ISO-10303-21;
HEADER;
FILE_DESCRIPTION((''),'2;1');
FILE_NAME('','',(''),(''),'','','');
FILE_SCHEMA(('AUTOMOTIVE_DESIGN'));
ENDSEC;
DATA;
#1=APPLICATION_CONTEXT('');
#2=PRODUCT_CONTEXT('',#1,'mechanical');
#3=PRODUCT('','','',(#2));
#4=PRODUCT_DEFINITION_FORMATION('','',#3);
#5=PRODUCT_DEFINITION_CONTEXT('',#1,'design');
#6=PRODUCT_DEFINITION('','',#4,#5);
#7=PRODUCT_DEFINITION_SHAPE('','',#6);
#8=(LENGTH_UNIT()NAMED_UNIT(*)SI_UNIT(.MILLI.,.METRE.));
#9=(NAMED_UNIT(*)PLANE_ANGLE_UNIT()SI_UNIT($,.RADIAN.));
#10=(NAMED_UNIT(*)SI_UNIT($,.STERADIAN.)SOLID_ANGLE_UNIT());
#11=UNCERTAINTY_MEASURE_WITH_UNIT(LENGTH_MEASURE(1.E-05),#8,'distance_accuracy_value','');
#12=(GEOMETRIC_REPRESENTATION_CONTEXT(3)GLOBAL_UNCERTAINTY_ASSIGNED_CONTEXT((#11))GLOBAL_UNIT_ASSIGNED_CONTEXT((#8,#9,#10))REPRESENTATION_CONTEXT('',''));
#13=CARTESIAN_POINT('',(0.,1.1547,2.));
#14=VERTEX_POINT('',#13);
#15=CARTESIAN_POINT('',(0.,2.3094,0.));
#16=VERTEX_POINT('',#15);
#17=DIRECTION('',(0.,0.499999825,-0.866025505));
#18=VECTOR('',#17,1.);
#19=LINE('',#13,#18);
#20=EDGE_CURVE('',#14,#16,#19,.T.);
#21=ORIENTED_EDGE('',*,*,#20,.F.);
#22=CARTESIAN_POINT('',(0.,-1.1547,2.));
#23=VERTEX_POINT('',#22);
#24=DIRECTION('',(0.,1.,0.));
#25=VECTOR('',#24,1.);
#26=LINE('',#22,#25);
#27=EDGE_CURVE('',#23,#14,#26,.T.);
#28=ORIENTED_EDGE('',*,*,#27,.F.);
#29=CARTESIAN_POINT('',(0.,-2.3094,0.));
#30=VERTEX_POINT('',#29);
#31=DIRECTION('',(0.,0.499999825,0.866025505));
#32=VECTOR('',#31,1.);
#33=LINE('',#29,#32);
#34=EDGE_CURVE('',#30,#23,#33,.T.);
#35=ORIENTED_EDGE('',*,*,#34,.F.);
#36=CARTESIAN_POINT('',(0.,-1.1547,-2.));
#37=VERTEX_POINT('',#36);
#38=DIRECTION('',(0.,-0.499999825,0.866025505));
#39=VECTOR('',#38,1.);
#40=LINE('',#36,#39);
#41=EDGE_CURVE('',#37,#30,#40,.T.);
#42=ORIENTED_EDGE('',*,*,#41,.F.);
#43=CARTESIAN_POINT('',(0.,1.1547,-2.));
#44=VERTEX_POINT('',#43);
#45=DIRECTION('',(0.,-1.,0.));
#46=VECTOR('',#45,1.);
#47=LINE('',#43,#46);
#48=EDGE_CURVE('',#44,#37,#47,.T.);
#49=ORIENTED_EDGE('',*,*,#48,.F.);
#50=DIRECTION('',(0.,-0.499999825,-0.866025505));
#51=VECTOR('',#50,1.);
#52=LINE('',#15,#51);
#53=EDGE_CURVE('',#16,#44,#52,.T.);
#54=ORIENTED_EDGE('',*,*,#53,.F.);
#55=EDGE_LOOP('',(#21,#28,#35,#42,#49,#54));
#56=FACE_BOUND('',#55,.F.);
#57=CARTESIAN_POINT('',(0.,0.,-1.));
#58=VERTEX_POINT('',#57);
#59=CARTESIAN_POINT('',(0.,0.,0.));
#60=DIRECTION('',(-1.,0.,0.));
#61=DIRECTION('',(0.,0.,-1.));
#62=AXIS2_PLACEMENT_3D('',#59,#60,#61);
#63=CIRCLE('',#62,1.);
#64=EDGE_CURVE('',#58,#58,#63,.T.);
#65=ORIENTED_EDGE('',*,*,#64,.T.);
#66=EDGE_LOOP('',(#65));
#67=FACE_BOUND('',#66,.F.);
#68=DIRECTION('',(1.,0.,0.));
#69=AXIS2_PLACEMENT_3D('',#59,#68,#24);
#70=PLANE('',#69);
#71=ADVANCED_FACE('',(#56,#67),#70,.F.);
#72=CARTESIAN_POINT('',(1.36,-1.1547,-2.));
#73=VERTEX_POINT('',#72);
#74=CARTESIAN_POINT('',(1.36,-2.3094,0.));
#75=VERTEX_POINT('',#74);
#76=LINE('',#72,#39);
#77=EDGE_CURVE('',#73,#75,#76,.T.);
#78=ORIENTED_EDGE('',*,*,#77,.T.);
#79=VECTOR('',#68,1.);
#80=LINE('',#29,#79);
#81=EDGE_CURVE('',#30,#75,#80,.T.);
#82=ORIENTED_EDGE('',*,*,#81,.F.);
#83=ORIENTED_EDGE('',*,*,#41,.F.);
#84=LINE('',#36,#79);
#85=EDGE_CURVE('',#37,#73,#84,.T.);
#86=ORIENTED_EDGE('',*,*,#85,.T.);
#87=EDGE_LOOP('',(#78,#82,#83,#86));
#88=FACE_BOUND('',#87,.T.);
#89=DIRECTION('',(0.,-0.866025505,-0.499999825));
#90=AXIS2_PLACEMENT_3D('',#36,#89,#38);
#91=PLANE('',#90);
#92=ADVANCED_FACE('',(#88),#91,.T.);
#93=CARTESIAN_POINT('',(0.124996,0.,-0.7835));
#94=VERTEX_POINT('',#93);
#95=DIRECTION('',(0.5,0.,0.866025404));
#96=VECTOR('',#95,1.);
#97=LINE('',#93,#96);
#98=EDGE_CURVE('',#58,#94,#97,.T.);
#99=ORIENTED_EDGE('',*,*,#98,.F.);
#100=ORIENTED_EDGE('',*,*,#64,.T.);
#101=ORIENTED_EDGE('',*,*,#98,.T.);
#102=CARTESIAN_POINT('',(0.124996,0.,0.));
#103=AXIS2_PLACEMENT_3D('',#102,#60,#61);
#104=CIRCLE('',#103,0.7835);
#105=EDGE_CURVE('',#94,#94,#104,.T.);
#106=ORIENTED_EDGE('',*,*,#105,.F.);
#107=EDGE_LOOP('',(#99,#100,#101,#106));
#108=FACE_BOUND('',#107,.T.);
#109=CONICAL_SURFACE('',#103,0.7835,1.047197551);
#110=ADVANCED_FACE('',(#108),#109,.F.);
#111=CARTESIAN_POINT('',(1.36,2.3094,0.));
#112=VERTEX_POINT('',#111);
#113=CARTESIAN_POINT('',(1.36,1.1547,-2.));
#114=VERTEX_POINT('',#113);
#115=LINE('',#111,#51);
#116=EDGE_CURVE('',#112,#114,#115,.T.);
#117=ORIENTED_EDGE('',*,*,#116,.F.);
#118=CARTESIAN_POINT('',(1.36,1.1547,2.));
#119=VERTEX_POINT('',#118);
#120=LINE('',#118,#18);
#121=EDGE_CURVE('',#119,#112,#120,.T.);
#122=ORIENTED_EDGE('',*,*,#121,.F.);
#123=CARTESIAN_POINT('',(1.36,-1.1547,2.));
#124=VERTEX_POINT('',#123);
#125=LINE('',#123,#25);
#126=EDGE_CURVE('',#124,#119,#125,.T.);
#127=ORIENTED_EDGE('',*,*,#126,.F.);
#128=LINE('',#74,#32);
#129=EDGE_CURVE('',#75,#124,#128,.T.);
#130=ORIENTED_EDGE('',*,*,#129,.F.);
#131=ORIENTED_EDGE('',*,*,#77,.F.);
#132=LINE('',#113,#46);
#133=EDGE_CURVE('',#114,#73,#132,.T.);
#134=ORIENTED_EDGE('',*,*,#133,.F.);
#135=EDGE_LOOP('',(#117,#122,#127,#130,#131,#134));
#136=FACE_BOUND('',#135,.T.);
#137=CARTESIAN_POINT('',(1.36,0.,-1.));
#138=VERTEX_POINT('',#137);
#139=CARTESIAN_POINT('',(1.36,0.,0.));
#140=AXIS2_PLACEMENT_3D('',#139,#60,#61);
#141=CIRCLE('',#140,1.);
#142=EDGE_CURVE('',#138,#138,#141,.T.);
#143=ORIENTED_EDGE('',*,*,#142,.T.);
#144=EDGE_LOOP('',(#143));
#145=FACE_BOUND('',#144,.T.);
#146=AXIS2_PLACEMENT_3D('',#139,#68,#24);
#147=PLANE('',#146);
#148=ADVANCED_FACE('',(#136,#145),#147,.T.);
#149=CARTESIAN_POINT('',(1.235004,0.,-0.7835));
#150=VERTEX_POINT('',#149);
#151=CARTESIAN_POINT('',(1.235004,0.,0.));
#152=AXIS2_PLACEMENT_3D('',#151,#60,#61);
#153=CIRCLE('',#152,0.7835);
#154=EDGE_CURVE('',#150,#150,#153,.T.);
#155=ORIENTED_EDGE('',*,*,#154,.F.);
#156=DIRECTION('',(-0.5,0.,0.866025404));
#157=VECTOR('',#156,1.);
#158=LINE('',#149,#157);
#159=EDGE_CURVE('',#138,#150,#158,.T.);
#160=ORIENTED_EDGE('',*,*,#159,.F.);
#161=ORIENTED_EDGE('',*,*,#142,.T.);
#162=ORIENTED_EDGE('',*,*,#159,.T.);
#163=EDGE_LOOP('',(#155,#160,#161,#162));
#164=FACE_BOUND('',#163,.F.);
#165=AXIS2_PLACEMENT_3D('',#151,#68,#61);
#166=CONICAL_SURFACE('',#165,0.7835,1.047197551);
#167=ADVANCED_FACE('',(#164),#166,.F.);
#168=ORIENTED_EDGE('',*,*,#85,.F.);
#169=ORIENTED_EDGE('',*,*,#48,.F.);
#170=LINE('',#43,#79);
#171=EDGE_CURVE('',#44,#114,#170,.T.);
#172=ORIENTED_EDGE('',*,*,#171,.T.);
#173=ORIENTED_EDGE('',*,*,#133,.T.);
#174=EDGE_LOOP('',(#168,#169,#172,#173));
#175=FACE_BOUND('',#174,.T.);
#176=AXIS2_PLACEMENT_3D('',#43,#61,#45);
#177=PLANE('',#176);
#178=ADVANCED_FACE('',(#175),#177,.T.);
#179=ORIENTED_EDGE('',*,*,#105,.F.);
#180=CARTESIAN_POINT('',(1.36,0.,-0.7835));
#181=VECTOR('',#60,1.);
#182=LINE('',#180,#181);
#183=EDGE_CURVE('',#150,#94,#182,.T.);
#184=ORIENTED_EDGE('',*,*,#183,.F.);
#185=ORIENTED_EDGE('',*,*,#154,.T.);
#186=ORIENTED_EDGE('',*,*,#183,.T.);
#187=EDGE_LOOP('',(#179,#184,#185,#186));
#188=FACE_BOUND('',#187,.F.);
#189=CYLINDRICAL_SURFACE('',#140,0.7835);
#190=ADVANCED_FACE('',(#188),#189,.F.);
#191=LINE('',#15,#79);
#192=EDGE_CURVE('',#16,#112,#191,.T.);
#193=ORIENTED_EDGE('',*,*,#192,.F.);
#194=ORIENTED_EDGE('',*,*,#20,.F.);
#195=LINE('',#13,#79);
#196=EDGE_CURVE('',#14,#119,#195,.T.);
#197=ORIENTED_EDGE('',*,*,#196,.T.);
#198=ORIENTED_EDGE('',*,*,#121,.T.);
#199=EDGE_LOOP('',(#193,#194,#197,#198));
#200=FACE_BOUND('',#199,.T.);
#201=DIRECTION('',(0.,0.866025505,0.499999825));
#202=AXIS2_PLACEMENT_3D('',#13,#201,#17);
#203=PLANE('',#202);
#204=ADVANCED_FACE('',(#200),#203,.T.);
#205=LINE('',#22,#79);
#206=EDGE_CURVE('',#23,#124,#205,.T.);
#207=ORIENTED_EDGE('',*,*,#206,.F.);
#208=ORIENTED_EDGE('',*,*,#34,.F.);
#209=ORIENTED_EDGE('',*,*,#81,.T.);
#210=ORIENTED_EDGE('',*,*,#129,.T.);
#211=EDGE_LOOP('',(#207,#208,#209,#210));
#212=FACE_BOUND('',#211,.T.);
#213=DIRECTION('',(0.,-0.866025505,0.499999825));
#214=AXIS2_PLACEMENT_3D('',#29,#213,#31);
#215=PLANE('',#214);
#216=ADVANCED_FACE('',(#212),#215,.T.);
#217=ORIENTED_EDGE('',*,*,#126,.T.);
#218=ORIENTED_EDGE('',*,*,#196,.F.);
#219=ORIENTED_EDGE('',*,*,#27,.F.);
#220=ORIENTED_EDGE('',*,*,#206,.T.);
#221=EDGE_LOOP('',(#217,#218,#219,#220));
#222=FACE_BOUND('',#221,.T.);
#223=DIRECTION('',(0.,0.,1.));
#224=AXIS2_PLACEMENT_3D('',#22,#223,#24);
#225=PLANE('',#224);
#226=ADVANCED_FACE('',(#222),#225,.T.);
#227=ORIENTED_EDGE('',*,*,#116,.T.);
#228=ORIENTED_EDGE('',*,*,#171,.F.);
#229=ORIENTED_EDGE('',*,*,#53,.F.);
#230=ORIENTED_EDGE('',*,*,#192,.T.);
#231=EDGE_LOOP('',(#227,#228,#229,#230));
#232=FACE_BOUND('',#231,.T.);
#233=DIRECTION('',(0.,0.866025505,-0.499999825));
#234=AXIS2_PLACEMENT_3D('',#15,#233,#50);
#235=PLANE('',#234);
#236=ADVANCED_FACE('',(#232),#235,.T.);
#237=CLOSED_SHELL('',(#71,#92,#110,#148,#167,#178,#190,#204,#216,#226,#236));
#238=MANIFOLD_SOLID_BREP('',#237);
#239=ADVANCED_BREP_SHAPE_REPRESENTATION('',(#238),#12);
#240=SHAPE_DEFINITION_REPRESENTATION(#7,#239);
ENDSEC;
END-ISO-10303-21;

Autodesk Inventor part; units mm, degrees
ref_plane "YZ Plane" through (0, 0, 0) normal (1, 0, 0) x (0, 1, 0)
ref_plane "XZ Plane" through (0, 0, 0) normal (0, 1, 0) x (-1, 0, 0)
sketch "Sketch1" plane through (0, 0, 0) normal (1, 0, 0) x (0, 1, 0)
  line L0 (1.1547, -2) -> (-1.1547, -2)
  line L1 (-1.1547, -2) -> (-2.3094, 0)
  line L2 (-2.3094, 0) -> (-1.1547, 2)
  line L3 (-1.1547, 2) -> (1.1547, 2)
  line L4 (1.1547, 2) -> (2.3094, 0)
  line L5 (2.3094, 0) -> (1.1547, -2)
  point P0 (0, 0)
  point P1 (0, 0)
  dimension "d0" = 4.6188
extrude "Body" add sketch "Sketch1" along normal blind 1.36
sketch "Sketch2" plane through (1.36, 0, 0) normal (1, 0, 0) x (0, 0, -1)
  point P0 (0, 0)
hole "Thread" at (1.36, 0, 0) direction (-1, 0, 0) diameter 1.567 end through all thread size "M2x0.4" class "6H" standard "ISO Metric profile"
chamfer "Chamfer2" distance 0.2165 angle 30 1 edges at (1.36, 0, 0.7835) measured on face at (1.36, -1.3696, 0.815)
chamfer "Chamfer1" distance 0.2165 angle 30 1 edges at (0, 0, 0.7835) measured on face at (0, -1.3696, 0.815)
ref_plane "Work Plane1" through (-4.8996, 0, 0) normal (0, 0, -1) x (1, 0, 0)
equation "\"d0\" = 1.1547 * SW"
equation "\"d1\" = KOH"
equation "\"d12\" = -0.5 * GD1 + 0.5 * NND"
equation "\"d19\" = -0.5 * GD1 + 0.5 * NND"
equation "\"d10\" = -0.5 * GD1 + 0.5 * NND"
equation "\"d18\" = -0.5 * GD1 + 0.5 * NND"
equation "\"NND\" = 2"
equation "\"KOH\" = 1.36"
equation "\"SW\" = 4"
equation "\"GUL\" = 0.541266 * PTC"
equation "\"THREADDIA\" = 2"
equation "\"TOA\" = 30deg"
equation "\"PTC\" = 0.4"
equation "\"E0\" = 1.155 * SW"
equation "\"GAL\" = 0.541266 * PTC"
equation "\"GD1\" = 1.566987"
properties part number "AS 1474 - M2(1)" material "Steel, Mild"
